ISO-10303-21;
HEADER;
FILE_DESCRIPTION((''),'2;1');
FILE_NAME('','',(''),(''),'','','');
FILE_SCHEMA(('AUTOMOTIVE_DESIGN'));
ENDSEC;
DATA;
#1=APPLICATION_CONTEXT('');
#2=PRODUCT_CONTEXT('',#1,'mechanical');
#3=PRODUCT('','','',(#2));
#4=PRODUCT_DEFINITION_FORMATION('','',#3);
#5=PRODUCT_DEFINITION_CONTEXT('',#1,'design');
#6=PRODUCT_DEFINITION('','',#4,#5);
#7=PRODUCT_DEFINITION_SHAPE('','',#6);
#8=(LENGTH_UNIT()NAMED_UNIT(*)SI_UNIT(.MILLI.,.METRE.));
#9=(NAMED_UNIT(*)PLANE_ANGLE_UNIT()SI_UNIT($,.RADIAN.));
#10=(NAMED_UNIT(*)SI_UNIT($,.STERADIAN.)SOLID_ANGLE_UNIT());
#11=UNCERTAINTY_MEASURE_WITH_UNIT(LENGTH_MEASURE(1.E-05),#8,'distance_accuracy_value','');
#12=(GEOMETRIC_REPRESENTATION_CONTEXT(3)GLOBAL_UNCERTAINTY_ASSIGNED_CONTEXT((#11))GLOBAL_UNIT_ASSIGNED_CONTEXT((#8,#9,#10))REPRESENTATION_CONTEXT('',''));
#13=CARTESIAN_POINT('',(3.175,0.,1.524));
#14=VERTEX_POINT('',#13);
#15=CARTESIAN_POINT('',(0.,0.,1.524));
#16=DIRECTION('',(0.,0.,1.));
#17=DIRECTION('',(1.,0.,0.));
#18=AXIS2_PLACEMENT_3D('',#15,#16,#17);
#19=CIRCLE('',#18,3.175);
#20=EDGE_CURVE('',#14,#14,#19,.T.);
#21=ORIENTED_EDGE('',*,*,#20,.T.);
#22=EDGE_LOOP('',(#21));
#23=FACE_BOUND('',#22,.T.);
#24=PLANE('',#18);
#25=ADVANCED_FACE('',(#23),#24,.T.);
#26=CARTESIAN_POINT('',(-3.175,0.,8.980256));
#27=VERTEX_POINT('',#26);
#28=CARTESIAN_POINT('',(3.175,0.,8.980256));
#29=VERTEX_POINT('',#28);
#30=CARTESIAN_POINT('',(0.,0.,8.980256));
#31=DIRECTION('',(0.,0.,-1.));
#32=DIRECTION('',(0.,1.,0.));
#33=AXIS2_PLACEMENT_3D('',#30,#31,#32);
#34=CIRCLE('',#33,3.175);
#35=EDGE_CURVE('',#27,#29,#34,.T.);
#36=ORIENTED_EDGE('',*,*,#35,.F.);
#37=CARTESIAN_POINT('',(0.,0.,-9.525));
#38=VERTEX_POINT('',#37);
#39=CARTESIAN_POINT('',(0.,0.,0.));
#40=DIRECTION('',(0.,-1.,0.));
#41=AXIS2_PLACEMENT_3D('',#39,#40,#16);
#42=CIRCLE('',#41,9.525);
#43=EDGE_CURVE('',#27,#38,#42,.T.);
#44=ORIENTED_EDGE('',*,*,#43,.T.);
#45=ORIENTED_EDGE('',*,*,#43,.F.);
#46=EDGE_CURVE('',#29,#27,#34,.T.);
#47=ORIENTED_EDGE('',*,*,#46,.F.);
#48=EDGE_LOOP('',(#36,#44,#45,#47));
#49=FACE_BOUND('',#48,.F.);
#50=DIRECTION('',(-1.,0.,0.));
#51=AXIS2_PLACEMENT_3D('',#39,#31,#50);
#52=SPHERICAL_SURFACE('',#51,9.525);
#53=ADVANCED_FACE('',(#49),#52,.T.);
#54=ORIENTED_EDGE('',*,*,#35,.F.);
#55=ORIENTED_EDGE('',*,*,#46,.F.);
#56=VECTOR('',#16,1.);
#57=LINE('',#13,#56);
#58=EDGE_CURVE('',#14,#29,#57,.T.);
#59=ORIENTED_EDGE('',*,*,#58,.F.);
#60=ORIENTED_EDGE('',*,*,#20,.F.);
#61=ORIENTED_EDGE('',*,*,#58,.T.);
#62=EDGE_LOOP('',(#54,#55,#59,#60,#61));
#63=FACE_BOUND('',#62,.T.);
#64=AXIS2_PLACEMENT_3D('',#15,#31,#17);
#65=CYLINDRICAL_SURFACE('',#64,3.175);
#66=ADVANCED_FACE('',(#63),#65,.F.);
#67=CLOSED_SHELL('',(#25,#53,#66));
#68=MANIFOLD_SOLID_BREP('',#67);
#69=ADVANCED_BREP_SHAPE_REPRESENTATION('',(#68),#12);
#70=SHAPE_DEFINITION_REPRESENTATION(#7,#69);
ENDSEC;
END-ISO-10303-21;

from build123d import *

# Parameters (mm, degrees)
F4_R     = 3.175
F5_DEPTH = 51.308


with BuildPart() as f2:
    # F0 (on Front) → F2 (revolve)
    with BuildSketch(Plane.XZ):
        with BuildLine():
            Line((0, -9.525), (0, 9.525))
            ThreePointArc((0, 9.525), (-9.525, 0), (0, -9.525))
        make_face()
    revolve(axis=Axis((0, 0, 0), (0, 0, 1)))

    # F4 (on offset) → F5 (cut)
    with BuildSketch(Plane.XY.offset(1.524)):
        Circle(F4_R)
    extrude(amount=F5_DEPTH, mode=Mode.SUBTRACT)


solid = f2.part
